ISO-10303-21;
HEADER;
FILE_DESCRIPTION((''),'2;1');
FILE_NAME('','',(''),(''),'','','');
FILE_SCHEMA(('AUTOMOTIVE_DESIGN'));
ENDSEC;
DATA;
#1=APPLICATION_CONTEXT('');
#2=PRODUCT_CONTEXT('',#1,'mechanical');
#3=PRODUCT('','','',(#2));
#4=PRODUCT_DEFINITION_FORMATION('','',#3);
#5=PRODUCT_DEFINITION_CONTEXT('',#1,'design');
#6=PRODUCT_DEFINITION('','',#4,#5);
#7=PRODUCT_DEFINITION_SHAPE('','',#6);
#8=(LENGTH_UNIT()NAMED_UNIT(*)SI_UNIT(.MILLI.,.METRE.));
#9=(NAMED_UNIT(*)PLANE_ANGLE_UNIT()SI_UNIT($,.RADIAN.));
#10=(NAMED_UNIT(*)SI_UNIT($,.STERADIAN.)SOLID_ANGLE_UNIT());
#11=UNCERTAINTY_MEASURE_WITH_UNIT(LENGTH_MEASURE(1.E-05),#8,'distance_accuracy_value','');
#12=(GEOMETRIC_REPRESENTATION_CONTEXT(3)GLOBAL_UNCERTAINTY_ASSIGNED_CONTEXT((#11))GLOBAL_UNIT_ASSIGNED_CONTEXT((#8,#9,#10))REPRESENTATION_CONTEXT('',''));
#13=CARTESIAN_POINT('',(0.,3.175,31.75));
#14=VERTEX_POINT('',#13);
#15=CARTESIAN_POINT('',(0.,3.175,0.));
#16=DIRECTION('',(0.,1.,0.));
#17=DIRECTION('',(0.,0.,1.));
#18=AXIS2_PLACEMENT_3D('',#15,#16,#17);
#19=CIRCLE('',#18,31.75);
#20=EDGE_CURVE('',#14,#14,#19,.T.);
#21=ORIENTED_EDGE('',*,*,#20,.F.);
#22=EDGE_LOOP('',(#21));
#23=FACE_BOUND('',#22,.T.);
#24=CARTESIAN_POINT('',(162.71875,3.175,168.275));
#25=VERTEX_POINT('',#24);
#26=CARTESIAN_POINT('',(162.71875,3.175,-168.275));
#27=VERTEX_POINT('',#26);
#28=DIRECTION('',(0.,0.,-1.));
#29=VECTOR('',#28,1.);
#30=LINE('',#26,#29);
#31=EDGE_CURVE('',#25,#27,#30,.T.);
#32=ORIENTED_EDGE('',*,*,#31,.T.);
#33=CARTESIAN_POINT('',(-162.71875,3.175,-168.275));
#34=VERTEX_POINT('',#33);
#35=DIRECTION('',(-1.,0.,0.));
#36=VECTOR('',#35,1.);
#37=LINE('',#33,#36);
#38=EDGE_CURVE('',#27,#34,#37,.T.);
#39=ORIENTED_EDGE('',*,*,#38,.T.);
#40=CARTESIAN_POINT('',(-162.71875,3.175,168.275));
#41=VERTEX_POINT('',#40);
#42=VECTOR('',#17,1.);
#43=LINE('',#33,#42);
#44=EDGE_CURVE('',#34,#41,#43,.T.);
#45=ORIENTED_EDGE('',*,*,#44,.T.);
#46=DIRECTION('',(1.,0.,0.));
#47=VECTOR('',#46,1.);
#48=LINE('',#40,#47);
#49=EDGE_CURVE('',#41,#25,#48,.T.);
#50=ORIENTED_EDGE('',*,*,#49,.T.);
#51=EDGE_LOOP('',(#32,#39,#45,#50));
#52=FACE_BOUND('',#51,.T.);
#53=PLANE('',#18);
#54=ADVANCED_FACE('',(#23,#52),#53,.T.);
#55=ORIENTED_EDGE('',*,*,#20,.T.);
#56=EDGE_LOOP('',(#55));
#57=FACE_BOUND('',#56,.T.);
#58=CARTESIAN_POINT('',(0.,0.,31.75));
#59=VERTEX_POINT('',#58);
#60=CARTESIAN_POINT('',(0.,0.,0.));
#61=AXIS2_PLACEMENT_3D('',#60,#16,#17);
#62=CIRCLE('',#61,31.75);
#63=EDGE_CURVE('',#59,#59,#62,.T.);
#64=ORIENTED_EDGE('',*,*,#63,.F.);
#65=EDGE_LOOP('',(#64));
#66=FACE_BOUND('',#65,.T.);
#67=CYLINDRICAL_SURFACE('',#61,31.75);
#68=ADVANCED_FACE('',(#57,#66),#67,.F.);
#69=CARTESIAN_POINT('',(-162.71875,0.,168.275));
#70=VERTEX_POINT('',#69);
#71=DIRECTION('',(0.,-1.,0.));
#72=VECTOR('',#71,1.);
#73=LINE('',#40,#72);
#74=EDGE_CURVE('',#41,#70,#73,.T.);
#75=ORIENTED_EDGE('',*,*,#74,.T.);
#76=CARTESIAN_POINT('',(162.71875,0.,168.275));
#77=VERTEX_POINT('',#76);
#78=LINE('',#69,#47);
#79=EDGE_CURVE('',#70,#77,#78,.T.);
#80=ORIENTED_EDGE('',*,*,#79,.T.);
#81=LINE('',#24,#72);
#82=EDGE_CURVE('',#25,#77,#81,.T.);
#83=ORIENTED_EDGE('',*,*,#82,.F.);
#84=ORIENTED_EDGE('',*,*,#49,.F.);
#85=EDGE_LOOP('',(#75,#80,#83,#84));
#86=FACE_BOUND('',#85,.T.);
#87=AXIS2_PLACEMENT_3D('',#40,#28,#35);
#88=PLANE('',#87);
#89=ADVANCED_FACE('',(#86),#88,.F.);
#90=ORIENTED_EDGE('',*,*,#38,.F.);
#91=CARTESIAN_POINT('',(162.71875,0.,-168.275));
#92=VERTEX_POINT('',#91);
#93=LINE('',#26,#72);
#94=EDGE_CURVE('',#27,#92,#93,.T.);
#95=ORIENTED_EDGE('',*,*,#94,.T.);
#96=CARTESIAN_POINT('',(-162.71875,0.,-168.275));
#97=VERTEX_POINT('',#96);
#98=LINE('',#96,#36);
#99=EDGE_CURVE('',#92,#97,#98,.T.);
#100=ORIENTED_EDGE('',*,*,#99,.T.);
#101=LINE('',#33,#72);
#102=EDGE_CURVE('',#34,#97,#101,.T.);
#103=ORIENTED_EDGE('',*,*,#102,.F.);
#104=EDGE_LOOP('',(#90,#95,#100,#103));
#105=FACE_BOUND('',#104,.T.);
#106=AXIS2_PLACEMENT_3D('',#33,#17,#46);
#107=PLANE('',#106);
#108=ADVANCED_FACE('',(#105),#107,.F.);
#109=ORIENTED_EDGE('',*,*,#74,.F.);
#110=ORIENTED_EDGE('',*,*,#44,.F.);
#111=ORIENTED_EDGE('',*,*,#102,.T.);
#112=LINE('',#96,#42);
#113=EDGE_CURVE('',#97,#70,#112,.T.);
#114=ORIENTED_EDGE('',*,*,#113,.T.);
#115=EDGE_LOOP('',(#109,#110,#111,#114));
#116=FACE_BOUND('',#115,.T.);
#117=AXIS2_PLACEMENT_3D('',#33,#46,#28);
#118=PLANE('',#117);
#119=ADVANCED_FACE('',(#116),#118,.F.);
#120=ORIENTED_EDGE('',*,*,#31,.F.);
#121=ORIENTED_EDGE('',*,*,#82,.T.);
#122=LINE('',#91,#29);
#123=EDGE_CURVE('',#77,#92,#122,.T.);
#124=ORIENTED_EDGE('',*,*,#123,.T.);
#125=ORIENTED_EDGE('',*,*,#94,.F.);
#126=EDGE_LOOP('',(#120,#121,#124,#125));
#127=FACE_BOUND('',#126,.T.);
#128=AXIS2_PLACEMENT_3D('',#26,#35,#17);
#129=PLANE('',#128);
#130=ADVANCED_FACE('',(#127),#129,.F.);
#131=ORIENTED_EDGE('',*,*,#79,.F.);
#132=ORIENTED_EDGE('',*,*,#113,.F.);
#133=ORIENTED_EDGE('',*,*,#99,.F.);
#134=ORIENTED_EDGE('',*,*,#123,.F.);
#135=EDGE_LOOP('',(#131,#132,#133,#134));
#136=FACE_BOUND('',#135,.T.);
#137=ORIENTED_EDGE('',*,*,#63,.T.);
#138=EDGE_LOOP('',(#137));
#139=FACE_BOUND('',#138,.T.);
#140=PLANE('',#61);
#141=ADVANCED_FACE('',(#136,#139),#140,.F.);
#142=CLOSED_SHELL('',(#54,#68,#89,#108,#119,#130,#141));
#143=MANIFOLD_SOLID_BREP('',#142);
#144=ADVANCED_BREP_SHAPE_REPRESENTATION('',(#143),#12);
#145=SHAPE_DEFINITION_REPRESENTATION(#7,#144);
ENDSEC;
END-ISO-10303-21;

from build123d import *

# Parameters (mm, degrees)
SKETCH1_W           = 325.4375
SKETCH1_H           = 336.55
BOSS_EXTRUDE1_DEPTH = 3.175
SKETCH2_R           = 31.75
CUT_EXTRUDE1_DEPTH  = 235.102430256


with BuildPart() as part:
    # Sketch1 → Boss-Extrude1 (new body)
    with BuildSketch(Plane(origin=(0, 0, 0), x_dir=(1, 0, 0), z_dir=(0, 1, 0))):
        Rectangle(SKETCH1_W, SKETCH1_H)
    extrude(amount=BOSS_EXTRUDE1_DEPTH)

    # Sketch2 → Cut-Extrude1 (cut, through all)
    with BuildSketch(Plane(origin=(0, 3.175, 0), x_dir=(1, 0, 0), z_dir=(0, 1, 0))):
        with Locations(Location((0, 0, 0), (0, 0, 270))):
            Circle(SKETCH2_R)
    extrude(amount=-CUT_EXTRUDE1_DEPTH, mode=Mode.SUBTRACT)


solid = part.part
